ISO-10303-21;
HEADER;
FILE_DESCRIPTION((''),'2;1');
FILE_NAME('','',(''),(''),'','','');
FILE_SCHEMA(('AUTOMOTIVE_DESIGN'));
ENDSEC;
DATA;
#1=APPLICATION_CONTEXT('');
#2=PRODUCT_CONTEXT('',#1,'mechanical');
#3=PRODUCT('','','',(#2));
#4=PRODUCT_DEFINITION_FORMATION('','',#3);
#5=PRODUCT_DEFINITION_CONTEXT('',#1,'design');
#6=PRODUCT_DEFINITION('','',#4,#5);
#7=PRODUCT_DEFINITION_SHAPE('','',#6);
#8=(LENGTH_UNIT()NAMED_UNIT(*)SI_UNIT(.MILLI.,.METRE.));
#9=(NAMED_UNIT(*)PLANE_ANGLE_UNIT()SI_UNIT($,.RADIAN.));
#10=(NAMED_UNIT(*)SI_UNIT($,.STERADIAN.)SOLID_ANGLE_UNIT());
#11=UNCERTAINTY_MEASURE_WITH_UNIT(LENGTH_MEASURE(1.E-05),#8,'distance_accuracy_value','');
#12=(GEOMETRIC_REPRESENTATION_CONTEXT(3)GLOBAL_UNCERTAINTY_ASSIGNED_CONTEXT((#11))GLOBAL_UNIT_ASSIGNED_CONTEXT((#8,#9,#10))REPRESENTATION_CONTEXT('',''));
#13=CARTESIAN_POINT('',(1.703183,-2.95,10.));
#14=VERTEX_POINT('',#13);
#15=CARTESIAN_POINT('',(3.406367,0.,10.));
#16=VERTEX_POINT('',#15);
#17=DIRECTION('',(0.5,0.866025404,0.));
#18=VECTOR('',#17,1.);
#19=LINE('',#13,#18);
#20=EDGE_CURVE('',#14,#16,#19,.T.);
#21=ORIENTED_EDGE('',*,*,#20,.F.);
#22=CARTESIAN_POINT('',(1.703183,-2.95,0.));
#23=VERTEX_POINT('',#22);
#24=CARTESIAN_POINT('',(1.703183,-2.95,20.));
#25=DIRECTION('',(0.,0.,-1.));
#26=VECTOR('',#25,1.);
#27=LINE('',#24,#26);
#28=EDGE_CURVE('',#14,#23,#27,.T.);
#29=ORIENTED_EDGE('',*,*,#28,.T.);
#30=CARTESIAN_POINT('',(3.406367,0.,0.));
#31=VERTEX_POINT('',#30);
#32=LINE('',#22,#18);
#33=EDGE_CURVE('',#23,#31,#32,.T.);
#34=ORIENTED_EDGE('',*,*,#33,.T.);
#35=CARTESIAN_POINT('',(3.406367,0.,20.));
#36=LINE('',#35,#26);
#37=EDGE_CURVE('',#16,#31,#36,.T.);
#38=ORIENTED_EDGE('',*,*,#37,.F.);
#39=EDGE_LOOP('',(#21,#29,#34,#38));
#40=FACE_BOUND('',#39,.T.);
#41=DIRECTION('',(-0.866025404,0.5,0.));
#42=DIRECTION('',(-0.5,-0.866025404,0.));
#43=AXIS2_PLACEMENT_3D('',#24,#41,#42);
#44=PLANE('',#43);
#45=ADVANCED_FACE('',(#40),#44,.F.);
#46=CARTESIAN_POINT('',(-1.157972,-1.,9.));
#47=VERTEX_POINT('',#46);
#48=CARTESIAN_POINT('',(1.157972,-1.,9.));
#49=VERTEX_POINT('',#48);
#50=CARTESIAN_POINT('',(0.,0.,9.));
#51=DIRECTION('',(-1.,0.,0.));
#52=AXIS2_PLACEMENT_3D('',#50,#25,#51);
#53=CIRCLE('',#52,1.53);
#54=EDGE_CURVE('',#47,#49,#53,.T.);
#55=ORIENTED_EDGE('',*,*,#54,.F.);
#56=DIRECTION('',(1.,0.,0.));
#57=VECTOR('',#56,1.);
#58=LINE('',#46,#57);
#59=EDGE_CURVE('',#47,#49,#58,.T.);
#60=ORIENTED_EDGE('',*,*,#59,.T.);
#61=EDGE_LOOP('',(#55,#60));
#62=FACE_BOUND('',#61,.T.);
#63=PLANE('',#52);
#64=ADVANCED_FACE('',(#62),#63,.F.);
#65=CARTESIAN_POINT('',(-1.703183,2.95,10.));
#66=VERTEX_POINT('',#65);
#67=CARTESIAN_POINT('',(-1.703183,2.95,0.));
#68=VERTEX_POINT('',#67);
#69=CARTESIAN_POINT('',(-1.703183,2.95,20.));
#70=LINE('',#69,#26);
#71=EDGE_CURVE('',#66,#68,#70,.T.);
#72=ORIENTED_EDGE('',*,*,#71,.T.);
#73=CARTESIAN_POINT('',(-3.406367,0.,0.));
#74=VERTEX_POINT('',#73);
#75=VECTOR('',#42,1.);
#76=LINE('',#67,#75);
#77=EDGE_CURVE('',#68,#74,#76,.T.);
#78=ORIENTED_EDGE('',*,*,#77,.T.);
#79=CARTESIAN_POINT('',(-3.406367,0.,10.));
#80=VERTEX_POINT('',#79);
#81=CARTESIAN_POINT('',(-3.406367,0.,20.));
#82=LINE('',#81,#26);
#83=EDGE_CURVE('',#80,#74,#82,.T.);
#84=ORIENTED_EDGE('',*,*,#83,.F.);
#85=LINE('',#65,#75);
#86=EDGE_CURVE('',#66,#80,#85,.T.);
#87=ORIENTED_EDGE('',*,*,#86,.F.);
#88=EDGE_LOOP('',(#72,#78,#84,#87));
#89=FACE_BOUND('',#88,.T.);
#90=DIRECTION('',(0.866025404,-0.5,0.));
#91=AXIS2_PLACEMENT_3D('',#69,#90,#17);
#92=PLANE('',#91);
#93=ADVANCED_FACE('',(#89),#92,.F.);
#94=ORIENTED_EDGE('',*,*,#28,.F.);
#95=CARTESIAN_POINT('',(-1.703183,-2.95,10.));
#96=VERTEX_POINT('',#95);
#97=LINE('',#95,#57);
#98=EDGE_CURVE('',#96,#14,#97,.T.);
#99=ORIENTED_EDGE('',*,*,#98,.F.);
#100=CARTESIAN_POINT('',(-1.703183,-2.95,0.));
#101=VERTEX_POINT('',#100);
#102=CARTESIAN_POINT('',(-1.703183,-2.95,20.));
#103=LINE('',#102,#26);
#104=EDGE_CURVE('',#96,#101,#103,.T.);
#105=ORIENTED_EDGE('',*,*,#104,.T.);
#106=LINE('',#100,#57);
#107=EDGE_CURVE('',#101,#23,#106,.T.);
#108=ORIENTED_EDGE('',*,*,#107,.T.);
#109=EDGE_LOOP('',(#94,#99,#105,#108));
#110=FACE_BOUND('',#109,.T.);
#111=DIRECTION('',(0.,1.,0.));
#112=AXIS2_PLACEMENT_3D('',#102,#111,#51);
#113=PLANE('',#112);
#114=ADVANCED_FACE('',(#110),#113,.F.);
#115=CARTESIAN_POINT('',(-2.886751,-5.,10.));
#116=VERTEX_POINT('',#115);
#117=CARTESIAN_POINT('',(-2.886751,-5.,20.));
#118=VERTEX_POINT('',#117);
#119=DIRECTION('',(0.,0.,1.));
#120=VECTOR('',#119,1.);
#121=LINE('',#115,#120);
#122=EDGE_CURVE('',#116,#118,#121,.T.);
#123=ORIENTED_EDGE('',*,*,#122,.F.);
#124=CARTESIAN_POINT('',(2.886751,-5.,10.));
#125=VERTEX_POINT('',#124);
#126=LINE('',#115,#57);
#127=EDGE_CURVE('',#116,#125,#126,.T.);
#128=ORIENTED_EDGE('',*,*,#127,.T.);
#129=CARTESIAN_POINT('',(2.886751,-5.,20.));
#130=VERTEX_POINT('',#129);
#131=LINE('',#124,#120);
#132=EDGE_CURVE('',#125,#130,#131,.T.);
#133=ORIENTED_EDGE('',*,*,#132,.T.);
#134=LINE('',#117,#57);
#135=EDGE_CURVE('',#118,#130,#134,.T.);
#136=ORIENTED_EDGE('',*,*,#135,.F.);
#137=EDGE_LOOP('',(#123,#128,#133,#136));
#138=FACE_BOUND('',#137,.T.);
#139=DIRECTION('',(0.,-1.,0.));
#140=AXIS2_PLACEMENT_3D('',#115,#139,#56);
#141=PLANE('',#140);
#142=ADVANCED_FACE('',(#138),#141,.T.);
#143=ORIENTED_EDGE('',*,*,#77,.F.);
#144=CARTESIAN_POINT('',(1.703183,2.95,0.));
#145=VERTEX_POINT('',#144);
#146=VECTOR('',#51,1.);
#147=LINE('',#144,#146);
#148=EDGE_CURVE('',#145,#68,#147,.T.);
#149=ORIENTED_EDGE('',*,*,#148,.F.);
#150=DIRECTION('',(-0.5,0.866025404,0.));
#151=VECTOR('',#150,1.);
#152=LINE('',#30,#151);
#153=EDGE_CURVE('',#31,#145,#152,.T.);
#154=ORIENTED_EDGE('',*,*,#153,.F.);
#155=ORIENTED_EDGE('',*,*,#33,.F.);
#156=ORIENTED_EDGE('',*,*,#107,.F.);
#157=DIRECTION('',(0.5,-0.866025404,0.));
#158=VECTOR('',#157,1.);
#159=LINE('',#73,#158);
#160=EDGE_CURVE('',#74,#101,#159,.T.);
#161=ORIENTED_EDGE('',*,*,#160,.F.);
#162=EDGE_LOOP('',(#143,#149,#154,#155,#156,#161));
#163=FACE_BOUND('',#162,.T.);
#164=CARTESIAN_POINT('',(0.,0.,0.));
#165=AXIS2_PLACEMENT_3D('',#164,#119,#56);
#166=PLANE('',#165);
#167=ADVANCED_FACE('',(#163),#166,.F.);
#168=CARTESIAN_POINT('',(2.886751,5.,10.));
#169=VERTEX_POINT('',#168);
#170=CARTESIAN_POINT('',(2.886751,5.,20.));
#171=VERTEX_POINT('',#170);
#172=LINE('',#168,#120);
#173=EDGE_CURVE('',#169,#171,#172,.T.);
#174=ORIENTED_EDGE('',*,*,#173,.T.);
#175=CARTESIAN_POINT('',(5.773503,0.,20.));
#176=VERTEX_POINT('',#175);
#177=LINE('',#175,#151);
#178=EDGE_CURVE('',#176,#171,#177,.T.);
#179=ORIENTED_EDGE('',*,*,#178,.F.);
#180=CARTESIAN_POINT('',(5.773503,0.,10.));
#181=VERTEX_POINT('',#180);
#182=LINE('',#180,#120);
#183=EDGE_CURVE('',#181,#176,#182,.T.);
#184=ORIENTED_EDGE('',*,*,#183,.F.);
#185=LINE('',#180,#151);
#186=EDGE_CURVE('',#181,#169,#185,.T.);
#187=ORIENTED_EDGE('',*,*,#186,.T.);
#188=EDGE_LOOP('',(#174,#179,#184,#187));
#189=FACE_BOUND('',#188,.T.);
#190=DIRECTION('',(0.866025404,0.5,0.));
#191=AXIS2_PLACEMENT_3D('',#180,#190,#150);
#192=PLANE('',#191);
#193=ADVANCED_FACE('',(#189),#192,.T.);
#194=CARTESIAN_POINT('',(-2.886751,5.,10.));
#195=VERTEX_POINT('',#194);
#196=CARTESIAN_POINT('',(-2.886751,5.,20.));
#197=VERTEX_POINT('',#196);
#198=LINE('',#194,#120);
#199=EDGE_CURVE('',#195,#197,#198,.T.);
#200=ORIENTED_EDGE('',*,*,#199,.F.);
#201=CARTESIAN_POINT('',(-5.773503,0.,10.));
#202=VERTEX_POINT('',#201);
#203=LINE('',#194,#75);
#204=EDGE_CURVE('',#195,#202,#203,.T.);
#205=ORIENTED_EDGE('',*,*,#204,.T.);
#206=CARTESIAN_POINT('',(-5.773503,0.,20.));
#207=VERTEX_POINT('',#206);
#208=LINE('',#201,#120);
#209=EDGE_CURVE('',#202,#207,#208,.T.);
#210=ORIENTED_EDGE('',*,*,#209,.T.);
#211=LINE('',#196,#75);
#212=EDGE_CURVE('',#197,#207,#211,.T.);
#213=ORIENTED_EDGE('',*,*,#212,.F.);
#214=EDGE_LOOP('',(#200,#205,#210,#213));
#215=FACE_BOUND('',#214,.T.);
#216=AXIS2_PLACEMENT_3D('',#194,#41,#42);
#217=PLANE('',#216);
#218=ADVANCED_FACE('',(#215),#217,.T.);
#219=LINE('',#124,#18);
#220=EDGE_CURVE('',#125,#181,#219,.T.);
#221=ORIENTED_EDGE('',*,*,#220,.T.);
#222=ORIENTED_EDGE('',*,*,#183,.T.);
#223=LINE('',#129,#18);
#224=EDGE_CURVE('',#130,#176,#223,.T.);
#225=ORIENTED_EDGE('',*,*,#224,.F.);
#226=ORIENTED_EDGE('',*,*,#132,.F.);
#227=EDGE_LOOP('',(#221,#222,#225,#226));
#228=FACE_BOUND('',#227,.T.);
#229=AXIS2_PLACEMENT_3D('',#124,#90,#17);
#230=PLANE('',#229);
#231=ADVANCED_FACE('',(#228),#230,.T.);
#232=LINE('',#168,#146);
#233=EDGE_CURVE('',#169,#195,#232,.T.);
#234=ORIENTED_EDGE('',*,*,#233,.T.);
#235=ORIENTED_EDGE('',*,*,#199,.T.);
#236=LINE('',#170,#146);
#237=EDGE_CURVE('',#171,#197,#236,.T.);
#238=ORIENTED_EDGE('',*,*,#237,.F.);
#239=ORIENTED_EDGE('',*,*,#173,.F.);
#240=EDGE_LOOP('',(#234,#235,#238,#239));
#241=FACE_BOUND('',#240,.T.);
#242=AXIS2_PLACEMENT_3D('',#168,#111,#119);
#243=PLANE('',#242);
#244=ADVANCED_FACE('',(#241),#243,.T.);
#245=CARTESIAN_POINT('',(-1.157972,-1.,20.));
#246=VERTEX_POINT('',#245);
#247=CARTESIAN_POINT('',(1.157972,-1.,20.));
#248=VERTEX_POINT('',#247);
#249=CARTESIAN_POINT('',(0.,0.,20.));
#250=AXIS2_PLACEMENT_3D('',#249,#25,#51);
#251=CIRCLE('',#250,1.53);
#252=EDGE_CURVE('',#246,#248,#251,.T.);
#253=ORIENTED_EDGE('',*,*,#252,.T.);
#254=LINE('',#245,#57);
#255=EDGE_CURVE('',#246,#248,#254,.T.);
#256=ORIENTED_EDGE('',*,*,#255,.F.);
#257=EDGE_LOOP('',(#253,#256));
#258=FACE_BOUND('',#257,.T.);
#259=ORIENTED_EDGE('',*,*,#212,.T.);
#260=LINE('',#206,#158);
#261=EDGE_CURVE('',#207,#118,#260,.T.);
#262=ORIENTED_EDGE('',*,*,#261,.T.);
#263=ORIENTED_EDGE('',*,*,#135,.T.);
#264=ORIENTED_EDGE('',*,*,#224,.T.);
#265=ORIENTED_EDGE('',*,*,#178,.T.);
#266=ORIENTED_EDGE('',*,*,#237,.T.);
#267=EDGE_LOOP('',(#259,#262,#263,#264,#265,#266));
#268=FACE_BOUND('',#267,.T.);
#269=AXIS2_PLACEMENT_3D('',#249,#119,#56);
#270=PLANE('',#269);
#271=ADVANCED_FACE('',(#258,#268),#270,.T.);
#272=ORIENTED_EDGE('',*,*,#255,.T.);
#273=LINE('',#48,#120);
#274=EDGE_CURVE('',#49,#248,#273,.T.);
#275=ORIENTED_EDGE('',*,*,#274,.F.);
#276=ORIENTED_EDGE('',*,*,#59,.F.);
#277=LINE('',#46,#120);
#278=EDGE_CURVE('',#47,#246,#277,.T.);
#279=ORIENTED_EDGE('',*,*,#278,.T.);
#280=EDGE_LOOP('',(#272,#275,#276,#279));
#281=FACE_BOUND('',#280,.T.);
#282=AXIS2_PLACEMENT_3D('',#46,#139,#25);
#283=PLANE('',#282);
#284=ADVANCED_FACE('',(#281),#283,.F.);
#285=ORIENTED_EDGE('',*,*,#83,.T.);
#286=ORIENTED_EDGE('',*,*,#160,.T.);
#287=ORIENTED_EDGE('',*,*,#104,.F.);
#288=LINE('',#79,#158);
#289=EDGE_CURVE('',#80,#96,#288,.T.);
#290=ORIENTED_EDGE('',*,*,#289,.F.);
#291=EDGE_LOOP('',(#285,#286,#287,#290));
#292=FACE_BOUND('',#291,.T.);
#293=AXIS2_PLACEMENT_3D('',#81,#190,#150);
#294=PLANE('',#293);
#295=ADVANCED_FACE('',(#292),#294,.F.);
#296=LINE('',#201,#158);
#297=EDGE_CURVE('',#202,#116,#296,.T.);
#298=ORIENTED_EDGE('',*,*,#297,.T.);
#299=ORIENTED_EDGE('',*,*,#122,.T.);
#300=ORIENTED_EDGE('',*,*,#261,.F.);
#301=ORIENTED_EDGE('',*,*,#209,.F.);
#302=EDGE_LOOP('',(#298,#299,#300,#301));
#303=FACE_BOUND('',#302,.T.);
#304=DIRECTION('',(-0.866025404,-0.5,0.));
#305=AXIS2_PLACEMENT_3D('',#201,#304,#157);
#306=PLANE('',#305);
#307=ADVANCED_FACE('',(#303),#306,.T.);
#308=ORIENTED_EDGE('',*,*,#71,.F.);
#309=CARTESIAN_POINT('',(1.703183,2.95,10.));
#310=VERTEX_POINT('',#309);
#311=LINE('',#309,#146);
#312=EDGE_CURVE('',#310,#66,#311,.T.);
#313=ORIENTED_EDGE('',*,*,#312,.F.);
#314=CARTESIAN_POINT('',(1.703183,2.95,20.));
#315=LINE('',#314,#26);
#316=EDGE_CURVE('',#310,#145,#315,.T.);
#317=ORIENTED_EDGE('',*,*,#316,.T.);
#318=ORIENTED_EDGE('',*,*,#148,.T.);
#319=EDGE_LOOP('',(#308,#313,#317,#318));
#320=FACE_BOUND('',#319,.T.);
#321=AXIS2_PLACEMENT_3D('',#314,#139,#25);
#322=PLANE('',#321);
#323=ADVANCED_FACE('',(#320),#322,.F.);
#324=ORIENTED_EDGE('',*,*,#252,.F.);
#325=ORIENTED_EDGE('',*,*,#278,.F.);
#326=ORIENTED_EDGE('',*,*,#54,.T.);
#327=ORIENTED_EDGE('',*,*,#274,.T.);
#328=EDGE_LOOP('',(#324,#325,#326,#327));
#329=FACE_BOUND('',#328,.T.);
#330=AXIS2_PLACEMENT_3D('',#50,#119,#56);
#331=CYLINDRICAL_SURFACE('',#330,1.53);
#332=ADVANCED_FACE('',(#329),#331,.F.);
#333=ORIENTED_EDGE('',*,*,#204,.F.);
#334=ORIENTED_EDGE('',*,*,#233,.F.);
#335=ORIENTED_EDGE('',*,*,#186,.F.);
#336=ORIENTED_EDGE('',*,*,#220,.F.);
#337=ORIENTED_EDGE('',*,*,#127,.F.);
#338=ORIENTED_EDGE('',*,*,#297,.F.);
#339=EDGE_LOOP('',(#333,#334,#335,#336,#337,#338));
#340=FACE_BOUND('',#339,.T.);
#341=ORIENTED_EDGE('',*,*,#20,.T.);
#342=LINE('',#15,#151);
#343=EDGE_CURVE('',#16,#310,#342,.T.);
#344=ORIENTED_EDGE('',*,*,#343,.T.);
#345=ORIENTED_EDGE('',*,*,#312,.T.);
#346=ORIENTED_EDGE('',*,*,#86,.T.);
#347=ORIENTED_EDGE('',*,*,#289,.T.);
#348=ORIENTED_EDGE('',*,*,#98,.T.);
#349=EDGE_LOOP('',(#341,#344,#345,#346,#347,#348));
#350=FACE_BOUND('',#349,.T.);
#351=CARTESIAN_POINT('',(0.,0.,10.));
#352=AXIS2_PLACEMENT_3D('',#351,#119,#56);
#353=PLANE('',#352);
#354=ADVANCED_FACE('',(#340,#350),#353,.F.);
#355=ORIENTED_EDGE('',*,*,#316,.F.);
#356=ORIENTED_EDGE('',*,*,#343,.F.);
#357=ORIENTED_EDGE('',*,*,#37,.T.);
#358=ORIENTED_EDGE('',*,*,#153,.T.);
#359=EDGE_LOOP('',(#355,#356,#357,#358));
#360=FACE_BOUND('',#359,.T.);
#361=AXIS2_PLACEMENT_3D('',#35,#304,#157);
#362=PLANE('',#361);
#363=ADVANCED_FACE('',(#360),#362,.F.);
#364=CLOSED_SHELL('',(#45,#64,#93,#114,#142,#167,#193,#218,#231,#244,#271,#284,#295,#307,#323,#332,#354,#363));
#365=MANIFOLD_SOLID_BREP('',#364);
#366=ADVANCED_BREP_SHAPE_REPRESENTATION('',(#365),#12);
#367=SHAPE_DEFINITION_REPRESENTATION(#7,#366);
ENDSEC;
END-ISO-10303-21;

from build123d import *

# Parameters (mm, degrees)
BOSS_EXTRUDE1_DEPTH = 20
BOSS_EXTRUDE2_DEPTH = 10
CUT_EXTRUDE1_DEPTH  = 11


with BuildPart() as part:
    # Sketch1 → Boss-Extrude1 (new body)
    with BuildSketch(Plane.XY):
        Polygon((3.406366588, 0), (1.703183294, 2.95), (-1.703183294, 2.95), (-3.406366588, 0), (-1.703183294, -2.95), (1.703183294, -2.95), align=None)
    extrude(amount=BOSS_EXTRUDE1_DEPTH)

    # Sketch2 → Boss-Extrude2 (add)
    with BuildSketch(Plane.XY.offset(20)):
        Polygon((-5.773502692, 0), (-2.886751346, -5), (2.886751346, -5), (5.773502692, 0), (2.886751346, 5), (-2.886751346, 5), align=None)
    extrude(amount=-BOSS_EXTRUDE2_DEPTH)

    # Sketch4 → Cut-Extrude1 (cut)
    with BuildSketch(Plane.XY.offset(20)):
        with BuildLine():
            Line((-1.157972366, -1), (1.157972366, -1))
            ThreePointArc((1.157972366, -1), (0, 1.53), (-1.157972366, -1))
        make_face()
    extrude(amount=-CUT_EXTRUDE1_DEPTH, mode=Mode.SUBTRACT)


solid = part.part
